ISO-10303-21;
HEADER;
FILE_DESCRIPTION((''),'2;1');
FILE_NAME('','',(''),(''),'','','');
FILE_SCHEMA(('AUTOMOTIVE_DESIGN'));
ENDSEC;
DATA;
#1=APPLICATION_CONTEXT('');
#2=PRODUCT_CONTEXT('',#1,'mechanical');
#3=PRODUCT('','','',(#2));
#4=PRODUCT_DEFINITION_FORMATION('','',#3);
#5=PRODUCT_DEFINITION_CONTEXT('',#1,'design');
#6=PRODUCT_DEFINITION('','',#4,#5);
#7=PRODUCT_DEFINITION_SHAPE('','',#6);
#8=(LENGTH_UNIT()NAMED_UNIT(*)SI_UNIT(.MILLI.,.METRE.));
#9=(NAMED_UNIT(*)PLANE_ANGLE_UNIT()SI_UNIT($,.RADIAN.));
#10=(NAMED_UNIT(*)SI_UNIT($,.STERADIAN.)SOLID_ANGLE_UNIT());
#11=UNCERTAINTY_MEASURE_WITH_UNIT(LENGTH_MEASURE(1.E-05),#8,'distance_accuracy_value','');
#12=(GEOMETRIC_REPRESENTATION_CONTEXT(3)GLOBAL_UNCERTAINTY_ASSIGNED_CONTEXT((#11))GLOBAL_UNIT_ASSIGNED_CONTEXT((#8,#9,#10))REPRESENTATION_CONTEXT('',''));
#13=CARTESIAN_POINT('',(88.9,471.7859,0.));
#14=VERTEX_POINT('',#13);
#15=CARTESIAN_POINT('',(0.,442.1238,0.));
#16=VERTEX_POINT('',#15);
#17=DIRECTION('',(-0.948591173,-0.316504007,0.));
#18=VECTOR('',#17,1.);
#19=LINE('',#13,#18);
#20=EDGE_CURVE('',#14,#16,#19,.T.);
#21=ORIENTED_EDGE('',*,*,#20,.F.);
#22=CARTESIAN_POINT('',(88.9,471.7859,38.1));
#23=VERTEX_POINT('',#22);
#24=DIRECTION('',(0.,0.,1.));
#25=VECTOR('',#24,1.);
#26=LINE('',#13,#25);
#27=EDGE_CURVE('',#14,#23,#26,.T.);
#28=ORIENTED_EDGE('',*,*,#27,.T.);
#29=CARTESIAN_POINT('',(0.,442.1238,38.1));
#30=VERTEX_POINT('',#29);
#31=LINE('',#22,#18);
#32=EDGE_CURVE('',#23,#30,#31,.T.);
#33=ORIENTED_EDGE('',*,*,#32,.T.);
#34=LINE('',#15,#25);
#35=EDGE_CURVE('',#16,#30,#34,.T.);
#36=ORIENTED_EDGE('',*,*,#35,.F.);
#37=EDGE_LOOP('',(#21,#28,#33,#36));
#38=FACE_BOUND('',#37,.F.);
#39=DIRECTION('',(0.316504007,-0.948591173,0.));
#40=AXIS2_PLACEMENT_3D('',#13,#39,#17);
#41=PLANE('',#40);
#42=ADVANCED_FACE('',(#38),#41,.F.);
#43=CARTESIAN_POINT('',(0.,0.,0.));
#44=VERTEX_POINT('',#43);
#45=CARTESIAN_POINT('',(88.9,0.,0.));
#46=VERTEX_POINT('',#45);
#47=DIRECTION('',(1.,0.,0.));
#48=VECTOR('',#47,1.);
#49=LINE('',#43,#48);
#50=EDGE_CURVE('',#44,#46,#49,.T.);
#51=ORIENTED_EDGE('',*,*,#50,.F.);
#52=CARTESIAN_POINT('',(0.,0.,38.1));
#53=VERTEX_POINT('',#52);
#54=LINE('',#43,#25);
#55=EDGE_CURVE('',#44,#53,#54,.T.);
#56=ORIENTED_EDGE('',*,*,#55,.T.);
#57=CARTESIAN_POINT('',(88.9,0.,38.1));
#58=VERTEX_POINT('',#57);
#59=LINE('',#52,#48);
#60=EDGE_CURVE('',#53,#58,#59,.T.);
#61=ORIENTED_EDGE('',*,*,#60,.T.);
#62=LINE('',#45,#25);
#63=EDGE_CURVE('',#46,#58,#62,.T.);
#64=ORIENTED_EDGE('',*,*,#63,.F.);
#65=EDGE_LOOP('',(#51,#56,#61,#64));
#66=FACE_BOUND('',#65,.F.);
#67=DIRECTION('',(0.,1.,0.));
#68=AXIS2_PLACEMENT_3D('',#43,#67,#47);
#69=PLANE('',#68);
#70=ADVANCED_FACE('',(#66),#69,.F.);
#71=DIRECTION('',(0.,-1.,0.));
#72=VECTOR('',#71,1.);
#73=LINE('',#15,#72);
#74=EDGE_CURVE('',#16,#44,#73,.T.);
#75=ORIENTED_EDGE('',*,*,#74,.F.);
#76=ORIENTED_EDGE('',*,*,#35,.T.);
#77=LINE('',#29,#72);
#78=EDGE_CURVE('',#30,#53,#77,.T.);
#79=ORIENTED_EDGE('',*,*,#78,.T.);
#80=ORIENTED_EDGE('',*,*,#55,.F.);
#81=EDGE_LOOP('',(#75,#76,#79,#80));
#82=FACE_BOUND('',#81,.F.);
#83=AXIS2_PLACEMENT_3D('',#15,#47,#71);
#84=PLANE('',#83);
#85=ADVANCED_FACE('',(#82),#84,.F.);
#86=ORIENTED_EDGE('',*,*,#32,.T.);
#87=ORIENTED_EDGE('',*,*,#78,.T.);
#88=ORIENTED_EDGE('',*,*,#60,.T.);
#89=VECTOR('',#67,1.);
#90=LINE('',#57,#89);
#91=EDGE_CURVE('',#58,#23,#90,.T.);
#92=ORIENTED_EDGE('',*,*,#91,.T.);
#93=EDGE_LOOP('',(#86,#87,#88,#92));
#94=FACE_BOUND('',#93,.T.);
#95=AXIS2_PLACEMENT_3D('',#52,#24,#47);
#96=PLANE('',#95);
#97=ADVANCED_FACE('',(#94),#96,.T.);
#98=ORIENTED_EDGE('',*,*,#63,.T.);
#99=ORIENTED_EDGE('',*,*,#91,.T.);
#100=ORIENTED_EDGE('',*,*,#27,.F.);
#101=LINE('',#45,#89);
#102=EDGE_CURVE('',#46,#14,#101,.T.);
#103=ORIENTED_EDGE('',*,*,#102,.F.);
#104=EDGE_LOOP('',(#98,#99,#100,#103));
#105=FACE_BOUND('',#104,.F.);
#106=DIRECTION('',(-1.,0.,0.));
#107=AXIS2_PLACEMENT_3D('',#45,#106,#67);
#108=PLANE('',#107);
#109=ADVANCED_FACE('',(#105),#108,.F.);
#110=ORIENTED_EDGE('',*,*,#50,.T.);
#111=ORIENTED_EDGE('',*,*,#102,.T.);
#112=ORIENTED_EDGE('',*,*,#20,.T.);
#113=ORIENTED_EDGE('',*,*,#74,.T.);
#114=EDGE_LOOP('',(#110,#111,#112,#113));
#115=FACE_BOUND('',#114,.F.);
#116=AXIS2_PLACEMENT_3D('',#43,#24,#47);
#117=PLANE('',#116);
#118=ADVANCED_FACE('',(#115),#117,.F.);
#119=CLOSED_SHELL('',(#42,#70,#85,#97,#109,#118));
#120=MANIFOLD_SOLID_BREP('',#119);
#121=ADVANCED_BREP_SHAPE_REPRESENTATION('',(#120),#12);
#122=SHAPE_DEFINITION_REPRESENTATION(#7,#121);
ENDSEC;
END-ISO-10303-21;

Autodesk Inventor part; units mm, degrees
ref_plane "YZ Plane" through (0, 0, 0) normal (1, 0, 0) x (0, 1, 0)
ref_plane "XZ Plane" through (0, 0, 0) normal (0, 1, 0) x (-1, 0, 0)
ref_plane "XY Plane" through (0, 0, 0) normal (0, 0, 1) x (1, 0, 0)
sketch "Sketch1" plane through (0, 0, 0) normal (0, 0, 1) x (1, 0, 0)
  line L0 (0, 0) -> (88.9, 0)
  line L1 (88.9, 0) -> (88.9, 471.7859)
  line L2 (0, 442.1238) -> (0, 0)
  line L3 (88.9, 471.7859) -> (0, 442.1238)
  line L4 (88.9, 471.7859) -> (-3175, 471.7859)
  line L5 (-3175, 471.7859) -> (-3175, -617.2391)
  line L6 (-3175, -617.2391) -> (88.9, 471.7859)
  dimension "d3" = 88.9
  dimension "d6" = 471.786
  dimension "d9" = 3263.9
  dimension "d10" = 1089.025
extrude "Extrusion1" add sketch "Sketch1" along normal blind 38.1 contours L2 L3 L1 L0
properties part number "Stud_With_Height_42.5_Inches" material "Wood (Birch)"
